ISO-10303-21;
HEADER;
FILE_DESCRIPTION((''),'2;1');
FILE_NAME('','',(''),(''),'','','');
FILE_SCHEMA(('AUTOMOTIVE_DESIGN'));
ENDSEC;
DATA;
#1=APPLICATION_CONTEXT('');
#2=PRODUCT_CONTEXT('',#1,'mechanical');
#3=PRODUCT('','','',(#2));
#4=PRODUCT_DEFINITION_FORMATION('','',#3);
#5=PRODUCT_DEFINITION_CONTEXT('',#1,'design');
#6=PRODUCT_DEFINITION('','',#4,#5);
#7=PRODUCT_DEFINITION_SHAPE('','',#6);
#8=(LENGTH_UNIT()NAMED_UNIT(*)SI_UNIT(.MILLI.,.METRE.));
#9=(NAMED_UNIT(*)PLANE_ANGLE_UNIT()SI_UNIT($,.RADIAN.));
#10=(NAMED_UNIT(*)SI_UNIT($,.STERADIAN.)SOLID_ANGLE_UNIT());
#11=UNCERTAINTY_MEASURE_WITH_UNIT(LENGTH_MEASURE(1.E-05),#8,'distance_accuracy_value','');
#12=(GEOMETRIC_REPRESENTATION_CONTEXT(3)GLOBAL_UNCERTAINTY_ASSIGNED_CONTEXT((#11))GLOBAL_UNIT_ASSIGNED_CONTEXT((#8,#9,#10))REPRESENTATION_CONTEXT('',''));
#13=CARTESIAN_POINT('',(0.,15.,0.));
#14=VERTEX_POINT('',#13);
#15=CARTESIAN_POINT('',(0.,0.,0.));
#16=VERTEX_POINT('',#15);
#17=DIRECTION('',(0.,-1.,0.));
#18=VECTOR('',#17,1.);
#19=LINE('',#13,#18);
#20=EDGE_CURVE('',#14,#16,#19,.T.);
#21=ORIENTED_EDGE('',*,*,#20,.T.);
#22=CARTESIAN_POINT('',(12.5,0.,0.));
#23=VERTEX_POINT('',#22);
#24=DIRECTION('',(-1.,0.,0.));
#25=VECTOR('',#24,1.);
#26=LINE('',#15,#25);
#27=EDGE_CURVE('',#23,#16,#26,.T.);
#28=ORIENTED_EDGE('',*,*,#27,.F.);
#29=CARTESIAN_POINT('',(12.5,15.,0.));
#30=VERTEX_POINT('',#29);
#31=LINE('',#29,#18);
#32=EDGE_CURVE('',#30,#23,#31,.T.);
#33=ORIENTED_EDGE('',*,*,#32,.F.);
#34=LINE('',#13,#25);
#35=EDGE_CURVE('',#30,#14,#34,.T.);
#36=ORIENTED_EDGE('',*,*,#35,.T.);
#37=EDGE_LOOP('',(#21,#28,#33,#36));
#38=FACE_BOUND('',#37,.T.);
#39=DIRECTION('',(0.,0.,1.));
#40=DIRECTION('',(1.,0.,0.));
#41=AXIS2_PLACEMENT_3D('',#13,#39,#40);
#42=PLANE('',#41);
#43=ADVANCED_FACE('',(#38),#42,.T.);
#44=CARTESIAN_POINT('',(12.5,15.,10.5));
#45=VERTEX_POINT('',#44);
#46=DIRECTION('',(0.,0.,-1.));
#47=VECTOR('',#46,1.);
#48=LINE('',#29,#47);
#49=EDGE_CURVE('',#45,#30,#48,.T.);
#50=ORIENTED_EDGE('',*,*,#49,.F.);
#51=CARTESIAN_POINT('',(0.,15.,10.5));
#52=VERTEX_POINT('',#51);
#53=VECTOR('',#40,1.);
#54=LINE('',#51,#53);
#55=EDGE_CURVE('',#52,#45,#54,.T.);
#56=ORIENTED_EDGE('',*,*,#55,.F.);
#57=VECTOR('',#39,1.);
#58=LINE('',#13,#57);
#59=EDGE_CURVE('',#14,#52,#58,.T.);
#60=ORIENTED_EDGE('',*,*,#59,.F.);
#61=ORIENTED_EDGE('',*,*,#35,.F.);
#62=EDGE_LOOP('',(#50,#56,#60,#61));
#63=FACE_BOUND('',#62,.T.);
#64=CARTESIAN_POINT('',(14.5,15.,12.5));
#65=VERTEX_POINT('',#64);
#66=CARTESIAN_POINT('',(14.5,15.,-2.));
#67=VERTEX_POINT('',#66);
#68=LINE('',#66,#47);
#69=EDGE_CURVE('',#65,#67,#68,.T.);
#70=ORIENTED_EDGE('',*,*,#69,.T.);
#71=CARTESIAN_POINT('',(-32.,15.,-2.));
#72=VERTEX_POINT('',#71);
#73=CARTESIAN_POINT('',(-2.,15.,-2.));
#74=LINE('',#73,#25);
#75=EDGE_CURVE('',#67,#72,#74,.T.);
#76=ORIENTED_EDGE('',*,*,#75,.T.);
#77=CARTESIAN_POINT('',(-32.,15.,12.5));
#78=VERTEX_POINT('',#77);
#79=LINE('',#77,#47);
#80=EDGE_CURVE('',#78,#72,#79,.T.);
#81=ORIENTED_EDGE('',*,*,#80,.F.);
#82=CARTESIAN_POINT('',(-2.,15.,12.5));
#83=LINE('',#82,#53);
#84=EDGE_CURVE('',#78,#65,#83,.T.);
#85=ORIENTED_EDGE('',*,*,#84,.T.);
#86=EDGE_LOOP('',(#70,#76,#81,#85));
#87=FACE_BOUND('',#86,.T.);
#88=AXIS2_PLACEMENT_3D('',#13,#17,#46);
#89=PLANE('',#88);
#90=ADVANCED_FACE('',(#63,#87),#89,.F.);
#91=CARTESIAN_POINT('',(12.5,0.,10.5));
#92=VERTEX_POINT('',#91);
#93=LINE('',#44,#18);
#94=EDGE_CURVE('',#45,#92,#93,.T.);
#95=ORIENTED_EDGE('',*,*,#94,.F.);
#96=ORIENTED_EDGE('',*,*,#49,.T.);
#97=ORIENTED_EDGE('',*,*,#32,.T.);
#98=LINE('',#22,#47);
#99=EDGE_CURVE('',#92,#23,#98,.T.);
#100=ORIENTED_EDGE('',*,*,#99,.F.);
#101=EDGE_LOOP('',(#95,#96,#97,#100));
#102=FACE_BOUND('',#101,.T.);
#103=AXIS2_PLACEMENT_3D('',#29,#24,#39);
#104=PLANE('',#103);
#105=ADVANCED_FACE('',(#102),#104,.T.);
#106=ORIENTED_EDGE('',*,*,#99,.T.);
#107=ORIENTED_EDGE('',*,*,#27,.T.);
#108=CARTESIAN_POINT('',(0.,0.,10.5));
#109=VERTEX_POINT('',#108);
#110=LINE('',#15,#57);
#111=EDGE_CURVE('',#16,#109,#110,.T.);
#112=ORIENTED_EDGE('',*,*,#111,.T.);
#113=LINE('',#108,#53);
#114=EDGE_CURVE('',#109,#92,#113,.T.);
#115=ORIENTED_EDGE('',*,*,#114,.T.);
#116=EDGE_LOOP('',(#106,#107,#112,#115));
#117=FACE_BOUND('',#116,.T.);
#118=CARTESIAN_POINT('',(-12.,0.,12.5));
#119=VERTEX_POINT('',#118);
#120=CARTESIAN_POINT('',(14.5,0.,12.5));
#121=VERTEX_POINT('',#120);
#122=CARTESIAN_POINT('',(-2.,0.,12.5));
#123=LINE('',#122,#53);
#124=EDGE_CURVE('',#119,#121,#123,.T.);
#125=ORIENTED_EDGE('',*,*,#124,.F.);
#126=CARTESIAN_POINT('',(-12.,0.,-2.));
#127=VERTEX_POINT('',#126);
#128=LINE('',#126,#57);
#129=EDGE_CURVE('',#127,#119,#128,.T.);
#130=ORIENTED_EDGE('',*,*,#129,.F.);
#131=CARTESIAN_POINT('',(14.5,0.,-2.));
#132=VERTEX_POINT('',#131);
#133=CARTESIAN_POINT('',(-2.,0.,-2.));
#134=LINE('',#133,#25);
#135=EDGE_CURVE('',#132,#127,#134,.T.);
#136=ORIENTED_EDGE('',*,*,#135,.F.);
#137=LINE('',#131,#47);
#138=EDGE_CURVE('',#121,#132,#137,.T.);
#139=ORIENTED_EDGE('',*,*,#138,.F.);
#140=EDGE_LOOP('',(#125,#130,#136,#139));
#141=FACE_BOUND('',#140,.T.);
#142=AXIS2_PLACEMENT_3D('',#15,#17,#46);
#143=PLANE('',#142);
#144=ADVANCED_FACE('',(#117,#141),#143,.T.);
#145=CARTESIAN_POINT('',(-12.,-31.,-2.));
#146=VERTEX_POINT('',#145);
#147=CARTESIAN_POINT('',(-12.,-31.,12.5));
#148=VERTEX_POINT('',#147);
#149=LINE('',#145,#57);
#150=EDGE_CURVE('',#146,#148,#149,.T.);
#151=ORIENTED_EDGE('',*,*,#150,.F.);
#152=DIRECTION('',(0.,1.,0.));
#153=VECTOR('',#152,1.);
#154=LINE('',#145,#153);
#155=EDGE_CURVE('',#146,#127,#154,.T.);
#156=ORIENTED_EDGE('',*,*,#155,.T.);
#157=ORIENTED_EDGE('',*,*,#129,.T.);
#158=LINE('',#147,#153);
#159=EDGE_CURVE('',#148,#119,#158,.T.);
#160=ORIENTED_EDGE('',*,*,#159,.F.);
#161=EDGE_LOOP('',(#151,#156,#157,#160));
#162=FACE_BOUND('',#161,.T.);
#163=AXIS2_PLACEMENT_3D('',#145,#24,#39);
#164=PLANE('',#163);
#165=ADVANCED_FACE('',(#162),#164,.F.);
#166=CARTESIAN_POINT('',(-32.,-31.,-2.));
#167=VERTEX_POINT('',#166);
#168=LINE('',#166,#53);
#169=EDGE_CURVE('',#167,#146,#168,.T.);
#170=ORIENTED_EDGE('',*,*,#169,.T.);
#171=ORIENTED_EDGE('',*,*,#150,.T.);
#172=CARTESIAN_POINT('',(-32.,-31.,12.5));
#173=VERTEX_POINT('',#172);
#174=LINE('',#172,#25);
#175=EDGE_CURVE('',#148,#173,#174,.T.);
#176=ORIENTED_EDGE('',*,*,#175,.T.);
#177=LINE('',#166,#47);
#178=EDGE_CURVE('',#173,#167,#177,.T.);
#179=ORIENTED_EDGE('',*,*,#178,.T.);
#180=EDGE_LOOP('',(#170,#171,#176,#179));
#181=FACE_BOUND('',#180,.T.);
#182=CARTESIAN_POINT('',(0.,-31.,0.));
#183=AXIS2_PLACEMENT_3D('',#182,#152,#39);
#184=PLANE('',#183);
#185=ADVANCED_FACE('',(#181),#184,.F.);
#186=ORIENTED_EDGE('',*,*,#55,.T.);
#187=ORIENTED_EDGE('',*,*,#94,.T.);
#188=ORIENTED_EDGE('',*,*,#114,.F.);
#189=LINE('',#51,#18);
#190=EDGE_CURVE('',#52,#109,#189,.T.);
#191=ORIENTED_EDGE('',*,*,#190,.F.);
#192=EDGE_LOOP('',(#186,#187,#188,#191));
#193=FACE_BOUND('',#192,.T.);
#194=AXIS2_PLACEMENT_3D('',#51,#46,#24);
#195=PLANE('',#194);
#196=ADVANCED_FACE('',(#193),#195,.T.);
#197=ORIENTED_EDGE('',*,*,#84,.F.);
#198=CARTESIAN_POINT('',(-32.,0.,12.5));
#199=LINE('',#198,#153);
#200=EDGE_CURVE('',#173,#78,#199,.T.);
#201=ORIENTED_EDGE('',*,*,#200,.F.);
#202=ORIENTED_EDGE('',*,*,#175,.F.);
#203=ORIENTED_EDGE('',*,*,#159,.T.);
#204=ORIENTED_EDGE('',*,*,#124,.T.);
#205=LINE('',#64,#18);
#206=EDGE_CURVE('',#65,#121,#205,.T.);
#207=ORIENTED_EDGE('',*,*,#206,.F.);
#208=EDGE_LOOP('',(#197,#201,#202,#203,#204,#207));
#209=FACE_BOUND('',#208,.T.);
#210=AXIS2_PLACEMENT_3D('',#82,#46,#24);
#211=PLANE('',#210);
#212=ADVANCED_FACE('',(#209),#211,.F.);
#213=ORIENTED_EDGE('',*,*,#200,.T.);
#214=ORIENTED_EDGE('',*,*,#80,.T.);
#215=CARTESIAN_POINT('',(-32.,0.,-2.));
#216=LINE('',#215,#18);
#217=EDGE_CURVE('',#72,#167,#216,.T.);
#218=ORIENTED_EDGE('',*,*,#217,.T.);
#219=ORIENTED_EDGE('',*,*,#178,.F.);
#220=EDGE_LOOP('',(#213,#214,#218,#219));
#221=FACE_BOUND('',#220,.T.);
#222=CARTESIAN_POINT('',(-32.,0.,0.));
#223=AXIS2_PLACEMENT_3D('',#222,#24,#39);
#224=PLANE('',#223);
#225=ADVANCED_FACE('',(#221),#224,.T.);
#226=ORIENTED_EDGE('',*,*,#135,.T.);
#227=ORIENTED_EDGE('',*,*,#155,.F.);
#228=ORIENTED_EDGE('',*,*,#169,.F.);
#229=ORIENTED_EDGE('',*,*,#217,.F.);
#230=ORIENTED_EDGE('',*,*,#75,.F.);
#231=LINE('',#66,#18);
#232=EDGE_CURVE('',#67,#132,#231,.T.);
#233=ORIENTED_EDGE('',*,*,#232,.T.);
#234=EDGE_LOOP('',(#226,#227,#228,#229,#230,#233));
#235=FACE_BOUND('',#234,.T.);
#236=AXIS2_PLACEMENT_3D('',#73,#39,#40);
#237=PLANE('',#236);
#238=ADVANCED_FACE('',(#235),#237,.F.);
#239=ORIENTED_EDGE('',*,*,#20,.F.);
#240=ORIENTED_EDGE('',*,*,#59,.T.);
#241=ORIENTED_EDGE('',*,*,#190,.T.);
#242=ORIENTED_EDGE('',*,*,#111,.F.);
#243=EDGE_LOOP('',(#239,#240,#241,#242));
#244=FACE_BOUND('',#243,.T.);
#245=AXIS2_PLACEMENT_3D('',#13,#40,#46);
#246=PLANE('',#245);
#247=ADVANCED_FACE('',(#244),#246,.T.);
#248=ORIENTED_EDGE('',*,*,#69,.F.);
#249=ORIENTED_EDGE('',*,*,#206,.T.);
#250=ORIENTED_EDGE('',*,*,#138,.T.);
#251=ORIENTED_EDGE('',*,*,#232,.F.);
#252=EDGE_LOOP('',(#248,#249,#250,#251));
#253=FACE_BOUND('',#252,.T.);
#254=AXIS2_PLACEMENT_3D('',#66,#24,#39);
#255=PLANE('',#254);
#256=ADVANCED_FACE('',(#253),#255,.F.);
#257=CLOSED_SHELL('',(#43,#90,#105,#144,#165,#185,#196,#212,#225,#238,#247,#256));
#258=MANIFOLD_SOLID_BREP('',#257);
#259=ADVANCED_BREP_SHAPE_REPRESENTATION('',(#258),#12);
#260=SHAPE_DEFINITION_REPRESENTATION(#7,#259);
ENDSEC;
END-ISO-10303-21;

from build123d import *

# Parameters (mm, degrees)
SKETCH1_W           = 16.5
SKETCH1_H           = 14.5
SKETCH1_W_2         = 12.5
SKETCH1_H_2         = 10.5
BOSS_EXTRUDE1_DEPTH = 15
SKETCH2_W           = 14.5
SKETCH2_H           = 15
BOSS_EXTRUDE2_DEPTH = 30
SKETCH3_W           = 20
SKETCH3_H           = 14.5
BOSS_EXTRUDE3_DEPTH = 31


with BuildPart() as part:
    # Sketch1 → Boss-Extrude1 (new body)
    with BuildSketch(Plane(origin=(0, 0, 0), x_dir=(1, 0, 0), z_dir=(0, 1, 0))):
        with Locations((6.25, -5.25)):
            Rectangle(SKETCH1_W, SKETCH1_H)
        with Locations((6.25, -5.25)):
            Rectangle(SKETCH1_W_2, SKETCH1_H_2, mode=Mode.SUBTRACT)
    extrude(amount=BOSS_EXTRUDE1_DEPTH)

    # Sketch2 → Boss-Extrude2 (add)
    with BuildSketch(Plane.ZY.offset(2)):
        with Locations((5.25, 7.5)):
            Rectangle(SKETCH2_W, SKETCH2_H)
    extrude(amount=BOSS_EXTRUDE2_DEPTH)

    # Sketch3 → Boss-Extrude3 (add)
    with BuildSketch(Plane(origin=(0, 0, 0), x_dir=(-1, 0, 0), z_dir=(0, -1, 0))):
        with Locations((22, -5.25)):
            Rectangle(SKETCH3_W, SKETCH3_H)
    extrude(amount=BOSS_EXTRUDE3_DEPTH)


solid = part.part
